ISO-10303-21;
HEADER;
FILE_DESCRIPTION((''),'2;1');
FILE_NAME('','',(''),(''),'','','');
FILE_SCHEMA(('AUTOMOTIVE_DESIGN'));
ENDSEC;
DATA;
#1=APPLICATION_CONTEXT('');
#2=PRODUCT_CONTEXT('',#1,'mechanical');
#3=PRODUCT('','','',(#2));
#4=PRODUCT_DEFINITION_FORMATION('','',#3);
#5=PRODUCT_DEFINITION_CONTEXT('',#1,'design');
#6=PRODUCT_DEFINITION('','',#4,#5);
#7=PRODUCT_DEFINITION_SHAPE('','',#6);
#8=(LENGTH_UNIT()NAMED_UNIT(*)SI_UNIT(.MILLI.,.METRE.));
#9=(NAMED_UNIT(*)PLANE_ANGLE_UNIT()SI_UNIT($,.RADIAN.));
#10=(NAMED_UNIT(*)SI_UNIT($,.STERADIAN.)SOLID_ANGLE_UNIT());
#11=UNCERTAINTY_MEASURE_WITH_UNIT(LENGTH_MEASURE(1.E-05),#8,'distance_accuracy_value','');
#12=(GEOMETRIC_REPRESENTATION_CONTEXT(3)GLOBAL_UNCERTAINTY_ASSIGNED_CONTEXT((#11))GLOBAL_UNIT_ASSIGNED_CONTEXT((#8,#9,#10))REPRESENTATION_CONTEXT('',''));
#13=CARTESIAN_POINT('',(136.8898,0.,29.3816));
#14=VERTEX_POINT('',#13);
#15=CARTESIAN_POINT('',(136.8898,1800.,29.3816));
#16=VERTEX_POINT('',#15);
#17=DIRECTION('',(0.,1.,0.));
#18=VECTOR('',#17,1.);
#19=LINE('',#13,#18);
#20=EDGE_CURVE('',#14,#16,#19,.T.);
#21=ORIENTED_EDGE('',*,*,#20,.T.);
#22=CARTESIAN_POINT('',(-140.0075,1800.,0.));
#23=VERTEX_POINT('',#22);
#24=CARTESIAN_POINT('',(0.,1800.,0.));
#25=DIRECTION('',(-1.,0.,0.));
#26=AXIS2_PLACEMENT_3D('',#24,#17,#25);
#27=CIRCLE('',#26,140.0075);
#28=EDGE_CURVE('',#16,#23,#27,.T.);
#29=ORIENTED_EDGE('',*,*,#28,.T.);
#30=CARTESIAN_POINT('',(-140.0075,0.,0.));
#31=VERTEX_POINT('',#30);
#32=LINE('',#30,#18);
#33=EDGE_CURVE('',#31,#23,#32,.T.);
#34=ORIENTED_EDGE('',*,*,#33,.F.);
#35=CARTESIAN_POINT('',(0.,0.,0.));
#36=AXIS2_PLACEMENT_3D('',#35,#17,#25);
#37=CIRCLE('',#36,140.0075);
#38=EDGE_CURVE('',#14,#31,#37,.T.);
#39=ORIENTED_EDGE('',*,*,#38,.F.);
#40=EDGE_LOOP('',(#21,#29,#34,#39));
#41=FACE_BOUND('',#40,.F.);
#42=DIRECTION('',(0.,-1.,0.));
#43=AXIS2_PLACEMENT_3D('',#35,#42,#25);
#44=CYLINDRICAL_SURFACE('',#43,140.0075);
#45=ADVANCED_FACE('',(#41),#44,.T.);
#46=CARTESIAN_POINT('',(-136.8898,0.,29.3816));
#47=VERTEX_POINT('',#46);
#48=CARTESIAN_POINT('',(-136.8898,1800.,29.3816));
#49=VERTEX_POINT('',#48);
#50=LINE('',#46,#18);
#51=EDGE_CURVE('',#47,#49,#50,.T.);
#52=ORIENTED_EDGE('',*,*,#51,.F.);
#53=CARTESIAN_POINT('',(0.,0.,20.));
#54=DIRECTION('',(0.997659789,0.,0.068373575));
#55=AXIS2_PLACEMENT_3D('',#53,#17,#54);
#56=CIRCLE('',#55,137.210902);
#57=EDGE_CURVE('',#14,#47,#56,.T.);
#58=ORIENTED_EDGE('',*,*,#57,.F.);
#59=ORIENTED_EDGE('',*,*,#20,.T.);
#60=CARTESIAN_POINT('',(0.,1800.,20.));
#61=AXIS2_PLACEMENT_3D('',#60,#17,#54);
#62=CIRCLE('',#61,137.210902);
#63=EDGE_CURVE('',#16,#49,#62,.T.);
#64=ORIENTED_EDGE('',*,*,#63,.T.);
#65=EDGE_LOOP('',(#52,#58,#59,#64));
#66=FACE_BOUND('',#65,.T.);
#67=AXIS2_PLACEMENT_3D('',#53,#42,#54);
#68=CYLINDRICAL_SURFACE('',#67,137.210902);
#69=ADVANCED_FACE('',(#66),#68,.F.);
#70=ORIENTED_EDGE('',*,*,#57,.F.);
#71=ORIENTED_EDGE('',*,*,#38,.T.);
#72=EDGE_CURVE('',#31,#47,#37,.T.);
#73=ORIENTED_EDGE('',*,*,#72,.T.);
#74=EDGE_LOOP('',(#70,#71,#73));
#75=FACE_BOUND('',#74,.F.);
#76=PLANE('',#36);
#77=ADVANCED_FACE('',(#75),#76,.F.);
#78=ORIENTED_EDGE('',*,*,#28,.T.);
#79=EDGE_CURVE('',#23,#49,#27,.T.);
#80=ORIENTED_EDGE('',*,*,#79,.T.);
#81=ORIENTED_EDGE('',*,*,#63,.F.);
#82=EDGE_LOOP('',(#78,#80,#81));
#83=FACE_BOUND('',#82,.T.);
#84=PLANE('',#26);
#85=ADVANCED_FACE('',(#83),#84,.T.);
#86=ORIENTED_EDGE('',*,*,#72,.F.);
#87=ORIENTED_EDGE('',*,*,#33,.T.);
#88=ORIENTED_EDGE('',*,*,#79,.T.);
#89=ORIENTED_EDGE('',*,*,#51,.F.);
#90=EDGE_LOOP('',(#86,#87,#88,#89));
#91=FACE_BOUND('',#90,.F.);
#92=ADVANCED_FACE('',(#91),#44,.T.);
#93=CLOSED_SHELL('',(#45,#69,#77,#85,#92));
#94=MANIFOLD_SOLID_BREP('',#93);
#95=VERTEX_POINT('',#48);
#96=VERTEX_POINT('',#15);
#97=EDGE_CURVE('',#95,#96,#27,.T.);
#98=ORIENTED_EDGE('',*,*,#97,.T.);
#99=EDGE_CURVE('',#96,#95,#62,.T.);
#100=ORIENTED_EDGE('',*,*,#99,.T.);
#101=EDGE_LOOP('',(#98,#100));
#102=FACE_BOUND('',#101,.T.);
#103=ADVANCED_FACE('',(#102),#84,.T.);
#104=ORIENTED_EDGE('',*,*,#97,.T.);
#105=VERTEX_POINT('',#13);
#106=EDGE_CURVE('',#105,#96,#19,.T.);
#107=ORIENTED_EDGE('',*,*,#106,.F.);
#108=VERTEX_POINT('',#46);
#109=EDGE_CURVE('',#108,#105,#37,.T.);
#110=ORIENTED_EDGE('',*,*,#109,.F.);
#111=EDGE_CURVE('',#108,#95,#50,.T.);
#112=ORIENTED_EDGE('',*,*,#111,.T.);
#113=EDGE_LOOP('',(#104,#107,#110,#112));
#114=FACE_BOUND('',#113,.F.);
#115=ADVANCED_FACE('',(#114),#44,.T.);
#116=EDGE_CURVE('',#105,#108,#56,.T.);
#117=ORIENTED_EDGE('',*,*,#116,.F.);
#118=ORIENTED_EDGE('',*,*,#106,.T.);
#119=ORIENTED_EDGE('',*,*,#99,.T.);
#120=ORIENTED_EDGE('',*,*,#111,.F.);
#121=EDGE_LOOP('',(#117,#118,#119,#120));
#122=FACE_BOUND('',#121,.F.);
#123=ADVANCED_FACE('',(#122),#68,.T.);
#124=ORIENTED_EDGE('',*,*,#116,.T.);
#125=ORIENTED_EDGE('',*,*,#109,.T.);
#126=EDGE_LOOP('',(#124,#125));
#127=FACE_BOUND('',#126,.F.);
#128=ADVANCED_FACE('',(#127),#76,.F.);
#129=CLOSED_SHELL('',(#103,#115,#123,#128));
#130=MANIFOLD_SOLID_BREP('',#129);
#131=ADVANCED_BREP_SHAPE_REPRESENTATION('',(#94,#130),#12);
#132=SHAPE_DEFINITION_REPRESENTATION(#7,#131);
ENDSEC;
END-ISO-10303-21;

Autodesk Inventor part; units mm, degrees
ref_plane "YZ Plane" through (0, 0, 0) normal (1, 0, 0) x (0, 1, 0)
ref_plane "XZ Plane" through (0, 0, 0) normal (0, 1, 0) x (-1, 0, 0)
ref_plane "XY Plane" through (0, 0, 0) normal (0, 0, 1) x (1, 0, 0)
sketch "Sketch1" plane through (0, 0, 0) normal (0, 1, 0) x (-1, 0, 0)
  circle A0 centre (0, 0) radius 140.0075
  arc A1 (-136.8898, 29.3816) -> (136.8898, 29.3816) centre (0, 20) ccw
  dimension "d0" = 280.015
  dimension "d1" = 20
  dimension "d4" = 137.2109
extrude "Extrusion1" add sketch "Sketch1" along normal blind 1800 contours A1 A0 picked at (0, 54.1051)
sketch "Sketch2" plane through (0, 1800, 0) normal (0, 1, 0) x (1, 0, 0)
  point P0 (0, 0)
extrude "Extrusion2" add sketch "Sketch1" along normal blind 1800 separate body contours A0 A1 picked at (8.5009, -124.3896)
properties part number "control drum"
